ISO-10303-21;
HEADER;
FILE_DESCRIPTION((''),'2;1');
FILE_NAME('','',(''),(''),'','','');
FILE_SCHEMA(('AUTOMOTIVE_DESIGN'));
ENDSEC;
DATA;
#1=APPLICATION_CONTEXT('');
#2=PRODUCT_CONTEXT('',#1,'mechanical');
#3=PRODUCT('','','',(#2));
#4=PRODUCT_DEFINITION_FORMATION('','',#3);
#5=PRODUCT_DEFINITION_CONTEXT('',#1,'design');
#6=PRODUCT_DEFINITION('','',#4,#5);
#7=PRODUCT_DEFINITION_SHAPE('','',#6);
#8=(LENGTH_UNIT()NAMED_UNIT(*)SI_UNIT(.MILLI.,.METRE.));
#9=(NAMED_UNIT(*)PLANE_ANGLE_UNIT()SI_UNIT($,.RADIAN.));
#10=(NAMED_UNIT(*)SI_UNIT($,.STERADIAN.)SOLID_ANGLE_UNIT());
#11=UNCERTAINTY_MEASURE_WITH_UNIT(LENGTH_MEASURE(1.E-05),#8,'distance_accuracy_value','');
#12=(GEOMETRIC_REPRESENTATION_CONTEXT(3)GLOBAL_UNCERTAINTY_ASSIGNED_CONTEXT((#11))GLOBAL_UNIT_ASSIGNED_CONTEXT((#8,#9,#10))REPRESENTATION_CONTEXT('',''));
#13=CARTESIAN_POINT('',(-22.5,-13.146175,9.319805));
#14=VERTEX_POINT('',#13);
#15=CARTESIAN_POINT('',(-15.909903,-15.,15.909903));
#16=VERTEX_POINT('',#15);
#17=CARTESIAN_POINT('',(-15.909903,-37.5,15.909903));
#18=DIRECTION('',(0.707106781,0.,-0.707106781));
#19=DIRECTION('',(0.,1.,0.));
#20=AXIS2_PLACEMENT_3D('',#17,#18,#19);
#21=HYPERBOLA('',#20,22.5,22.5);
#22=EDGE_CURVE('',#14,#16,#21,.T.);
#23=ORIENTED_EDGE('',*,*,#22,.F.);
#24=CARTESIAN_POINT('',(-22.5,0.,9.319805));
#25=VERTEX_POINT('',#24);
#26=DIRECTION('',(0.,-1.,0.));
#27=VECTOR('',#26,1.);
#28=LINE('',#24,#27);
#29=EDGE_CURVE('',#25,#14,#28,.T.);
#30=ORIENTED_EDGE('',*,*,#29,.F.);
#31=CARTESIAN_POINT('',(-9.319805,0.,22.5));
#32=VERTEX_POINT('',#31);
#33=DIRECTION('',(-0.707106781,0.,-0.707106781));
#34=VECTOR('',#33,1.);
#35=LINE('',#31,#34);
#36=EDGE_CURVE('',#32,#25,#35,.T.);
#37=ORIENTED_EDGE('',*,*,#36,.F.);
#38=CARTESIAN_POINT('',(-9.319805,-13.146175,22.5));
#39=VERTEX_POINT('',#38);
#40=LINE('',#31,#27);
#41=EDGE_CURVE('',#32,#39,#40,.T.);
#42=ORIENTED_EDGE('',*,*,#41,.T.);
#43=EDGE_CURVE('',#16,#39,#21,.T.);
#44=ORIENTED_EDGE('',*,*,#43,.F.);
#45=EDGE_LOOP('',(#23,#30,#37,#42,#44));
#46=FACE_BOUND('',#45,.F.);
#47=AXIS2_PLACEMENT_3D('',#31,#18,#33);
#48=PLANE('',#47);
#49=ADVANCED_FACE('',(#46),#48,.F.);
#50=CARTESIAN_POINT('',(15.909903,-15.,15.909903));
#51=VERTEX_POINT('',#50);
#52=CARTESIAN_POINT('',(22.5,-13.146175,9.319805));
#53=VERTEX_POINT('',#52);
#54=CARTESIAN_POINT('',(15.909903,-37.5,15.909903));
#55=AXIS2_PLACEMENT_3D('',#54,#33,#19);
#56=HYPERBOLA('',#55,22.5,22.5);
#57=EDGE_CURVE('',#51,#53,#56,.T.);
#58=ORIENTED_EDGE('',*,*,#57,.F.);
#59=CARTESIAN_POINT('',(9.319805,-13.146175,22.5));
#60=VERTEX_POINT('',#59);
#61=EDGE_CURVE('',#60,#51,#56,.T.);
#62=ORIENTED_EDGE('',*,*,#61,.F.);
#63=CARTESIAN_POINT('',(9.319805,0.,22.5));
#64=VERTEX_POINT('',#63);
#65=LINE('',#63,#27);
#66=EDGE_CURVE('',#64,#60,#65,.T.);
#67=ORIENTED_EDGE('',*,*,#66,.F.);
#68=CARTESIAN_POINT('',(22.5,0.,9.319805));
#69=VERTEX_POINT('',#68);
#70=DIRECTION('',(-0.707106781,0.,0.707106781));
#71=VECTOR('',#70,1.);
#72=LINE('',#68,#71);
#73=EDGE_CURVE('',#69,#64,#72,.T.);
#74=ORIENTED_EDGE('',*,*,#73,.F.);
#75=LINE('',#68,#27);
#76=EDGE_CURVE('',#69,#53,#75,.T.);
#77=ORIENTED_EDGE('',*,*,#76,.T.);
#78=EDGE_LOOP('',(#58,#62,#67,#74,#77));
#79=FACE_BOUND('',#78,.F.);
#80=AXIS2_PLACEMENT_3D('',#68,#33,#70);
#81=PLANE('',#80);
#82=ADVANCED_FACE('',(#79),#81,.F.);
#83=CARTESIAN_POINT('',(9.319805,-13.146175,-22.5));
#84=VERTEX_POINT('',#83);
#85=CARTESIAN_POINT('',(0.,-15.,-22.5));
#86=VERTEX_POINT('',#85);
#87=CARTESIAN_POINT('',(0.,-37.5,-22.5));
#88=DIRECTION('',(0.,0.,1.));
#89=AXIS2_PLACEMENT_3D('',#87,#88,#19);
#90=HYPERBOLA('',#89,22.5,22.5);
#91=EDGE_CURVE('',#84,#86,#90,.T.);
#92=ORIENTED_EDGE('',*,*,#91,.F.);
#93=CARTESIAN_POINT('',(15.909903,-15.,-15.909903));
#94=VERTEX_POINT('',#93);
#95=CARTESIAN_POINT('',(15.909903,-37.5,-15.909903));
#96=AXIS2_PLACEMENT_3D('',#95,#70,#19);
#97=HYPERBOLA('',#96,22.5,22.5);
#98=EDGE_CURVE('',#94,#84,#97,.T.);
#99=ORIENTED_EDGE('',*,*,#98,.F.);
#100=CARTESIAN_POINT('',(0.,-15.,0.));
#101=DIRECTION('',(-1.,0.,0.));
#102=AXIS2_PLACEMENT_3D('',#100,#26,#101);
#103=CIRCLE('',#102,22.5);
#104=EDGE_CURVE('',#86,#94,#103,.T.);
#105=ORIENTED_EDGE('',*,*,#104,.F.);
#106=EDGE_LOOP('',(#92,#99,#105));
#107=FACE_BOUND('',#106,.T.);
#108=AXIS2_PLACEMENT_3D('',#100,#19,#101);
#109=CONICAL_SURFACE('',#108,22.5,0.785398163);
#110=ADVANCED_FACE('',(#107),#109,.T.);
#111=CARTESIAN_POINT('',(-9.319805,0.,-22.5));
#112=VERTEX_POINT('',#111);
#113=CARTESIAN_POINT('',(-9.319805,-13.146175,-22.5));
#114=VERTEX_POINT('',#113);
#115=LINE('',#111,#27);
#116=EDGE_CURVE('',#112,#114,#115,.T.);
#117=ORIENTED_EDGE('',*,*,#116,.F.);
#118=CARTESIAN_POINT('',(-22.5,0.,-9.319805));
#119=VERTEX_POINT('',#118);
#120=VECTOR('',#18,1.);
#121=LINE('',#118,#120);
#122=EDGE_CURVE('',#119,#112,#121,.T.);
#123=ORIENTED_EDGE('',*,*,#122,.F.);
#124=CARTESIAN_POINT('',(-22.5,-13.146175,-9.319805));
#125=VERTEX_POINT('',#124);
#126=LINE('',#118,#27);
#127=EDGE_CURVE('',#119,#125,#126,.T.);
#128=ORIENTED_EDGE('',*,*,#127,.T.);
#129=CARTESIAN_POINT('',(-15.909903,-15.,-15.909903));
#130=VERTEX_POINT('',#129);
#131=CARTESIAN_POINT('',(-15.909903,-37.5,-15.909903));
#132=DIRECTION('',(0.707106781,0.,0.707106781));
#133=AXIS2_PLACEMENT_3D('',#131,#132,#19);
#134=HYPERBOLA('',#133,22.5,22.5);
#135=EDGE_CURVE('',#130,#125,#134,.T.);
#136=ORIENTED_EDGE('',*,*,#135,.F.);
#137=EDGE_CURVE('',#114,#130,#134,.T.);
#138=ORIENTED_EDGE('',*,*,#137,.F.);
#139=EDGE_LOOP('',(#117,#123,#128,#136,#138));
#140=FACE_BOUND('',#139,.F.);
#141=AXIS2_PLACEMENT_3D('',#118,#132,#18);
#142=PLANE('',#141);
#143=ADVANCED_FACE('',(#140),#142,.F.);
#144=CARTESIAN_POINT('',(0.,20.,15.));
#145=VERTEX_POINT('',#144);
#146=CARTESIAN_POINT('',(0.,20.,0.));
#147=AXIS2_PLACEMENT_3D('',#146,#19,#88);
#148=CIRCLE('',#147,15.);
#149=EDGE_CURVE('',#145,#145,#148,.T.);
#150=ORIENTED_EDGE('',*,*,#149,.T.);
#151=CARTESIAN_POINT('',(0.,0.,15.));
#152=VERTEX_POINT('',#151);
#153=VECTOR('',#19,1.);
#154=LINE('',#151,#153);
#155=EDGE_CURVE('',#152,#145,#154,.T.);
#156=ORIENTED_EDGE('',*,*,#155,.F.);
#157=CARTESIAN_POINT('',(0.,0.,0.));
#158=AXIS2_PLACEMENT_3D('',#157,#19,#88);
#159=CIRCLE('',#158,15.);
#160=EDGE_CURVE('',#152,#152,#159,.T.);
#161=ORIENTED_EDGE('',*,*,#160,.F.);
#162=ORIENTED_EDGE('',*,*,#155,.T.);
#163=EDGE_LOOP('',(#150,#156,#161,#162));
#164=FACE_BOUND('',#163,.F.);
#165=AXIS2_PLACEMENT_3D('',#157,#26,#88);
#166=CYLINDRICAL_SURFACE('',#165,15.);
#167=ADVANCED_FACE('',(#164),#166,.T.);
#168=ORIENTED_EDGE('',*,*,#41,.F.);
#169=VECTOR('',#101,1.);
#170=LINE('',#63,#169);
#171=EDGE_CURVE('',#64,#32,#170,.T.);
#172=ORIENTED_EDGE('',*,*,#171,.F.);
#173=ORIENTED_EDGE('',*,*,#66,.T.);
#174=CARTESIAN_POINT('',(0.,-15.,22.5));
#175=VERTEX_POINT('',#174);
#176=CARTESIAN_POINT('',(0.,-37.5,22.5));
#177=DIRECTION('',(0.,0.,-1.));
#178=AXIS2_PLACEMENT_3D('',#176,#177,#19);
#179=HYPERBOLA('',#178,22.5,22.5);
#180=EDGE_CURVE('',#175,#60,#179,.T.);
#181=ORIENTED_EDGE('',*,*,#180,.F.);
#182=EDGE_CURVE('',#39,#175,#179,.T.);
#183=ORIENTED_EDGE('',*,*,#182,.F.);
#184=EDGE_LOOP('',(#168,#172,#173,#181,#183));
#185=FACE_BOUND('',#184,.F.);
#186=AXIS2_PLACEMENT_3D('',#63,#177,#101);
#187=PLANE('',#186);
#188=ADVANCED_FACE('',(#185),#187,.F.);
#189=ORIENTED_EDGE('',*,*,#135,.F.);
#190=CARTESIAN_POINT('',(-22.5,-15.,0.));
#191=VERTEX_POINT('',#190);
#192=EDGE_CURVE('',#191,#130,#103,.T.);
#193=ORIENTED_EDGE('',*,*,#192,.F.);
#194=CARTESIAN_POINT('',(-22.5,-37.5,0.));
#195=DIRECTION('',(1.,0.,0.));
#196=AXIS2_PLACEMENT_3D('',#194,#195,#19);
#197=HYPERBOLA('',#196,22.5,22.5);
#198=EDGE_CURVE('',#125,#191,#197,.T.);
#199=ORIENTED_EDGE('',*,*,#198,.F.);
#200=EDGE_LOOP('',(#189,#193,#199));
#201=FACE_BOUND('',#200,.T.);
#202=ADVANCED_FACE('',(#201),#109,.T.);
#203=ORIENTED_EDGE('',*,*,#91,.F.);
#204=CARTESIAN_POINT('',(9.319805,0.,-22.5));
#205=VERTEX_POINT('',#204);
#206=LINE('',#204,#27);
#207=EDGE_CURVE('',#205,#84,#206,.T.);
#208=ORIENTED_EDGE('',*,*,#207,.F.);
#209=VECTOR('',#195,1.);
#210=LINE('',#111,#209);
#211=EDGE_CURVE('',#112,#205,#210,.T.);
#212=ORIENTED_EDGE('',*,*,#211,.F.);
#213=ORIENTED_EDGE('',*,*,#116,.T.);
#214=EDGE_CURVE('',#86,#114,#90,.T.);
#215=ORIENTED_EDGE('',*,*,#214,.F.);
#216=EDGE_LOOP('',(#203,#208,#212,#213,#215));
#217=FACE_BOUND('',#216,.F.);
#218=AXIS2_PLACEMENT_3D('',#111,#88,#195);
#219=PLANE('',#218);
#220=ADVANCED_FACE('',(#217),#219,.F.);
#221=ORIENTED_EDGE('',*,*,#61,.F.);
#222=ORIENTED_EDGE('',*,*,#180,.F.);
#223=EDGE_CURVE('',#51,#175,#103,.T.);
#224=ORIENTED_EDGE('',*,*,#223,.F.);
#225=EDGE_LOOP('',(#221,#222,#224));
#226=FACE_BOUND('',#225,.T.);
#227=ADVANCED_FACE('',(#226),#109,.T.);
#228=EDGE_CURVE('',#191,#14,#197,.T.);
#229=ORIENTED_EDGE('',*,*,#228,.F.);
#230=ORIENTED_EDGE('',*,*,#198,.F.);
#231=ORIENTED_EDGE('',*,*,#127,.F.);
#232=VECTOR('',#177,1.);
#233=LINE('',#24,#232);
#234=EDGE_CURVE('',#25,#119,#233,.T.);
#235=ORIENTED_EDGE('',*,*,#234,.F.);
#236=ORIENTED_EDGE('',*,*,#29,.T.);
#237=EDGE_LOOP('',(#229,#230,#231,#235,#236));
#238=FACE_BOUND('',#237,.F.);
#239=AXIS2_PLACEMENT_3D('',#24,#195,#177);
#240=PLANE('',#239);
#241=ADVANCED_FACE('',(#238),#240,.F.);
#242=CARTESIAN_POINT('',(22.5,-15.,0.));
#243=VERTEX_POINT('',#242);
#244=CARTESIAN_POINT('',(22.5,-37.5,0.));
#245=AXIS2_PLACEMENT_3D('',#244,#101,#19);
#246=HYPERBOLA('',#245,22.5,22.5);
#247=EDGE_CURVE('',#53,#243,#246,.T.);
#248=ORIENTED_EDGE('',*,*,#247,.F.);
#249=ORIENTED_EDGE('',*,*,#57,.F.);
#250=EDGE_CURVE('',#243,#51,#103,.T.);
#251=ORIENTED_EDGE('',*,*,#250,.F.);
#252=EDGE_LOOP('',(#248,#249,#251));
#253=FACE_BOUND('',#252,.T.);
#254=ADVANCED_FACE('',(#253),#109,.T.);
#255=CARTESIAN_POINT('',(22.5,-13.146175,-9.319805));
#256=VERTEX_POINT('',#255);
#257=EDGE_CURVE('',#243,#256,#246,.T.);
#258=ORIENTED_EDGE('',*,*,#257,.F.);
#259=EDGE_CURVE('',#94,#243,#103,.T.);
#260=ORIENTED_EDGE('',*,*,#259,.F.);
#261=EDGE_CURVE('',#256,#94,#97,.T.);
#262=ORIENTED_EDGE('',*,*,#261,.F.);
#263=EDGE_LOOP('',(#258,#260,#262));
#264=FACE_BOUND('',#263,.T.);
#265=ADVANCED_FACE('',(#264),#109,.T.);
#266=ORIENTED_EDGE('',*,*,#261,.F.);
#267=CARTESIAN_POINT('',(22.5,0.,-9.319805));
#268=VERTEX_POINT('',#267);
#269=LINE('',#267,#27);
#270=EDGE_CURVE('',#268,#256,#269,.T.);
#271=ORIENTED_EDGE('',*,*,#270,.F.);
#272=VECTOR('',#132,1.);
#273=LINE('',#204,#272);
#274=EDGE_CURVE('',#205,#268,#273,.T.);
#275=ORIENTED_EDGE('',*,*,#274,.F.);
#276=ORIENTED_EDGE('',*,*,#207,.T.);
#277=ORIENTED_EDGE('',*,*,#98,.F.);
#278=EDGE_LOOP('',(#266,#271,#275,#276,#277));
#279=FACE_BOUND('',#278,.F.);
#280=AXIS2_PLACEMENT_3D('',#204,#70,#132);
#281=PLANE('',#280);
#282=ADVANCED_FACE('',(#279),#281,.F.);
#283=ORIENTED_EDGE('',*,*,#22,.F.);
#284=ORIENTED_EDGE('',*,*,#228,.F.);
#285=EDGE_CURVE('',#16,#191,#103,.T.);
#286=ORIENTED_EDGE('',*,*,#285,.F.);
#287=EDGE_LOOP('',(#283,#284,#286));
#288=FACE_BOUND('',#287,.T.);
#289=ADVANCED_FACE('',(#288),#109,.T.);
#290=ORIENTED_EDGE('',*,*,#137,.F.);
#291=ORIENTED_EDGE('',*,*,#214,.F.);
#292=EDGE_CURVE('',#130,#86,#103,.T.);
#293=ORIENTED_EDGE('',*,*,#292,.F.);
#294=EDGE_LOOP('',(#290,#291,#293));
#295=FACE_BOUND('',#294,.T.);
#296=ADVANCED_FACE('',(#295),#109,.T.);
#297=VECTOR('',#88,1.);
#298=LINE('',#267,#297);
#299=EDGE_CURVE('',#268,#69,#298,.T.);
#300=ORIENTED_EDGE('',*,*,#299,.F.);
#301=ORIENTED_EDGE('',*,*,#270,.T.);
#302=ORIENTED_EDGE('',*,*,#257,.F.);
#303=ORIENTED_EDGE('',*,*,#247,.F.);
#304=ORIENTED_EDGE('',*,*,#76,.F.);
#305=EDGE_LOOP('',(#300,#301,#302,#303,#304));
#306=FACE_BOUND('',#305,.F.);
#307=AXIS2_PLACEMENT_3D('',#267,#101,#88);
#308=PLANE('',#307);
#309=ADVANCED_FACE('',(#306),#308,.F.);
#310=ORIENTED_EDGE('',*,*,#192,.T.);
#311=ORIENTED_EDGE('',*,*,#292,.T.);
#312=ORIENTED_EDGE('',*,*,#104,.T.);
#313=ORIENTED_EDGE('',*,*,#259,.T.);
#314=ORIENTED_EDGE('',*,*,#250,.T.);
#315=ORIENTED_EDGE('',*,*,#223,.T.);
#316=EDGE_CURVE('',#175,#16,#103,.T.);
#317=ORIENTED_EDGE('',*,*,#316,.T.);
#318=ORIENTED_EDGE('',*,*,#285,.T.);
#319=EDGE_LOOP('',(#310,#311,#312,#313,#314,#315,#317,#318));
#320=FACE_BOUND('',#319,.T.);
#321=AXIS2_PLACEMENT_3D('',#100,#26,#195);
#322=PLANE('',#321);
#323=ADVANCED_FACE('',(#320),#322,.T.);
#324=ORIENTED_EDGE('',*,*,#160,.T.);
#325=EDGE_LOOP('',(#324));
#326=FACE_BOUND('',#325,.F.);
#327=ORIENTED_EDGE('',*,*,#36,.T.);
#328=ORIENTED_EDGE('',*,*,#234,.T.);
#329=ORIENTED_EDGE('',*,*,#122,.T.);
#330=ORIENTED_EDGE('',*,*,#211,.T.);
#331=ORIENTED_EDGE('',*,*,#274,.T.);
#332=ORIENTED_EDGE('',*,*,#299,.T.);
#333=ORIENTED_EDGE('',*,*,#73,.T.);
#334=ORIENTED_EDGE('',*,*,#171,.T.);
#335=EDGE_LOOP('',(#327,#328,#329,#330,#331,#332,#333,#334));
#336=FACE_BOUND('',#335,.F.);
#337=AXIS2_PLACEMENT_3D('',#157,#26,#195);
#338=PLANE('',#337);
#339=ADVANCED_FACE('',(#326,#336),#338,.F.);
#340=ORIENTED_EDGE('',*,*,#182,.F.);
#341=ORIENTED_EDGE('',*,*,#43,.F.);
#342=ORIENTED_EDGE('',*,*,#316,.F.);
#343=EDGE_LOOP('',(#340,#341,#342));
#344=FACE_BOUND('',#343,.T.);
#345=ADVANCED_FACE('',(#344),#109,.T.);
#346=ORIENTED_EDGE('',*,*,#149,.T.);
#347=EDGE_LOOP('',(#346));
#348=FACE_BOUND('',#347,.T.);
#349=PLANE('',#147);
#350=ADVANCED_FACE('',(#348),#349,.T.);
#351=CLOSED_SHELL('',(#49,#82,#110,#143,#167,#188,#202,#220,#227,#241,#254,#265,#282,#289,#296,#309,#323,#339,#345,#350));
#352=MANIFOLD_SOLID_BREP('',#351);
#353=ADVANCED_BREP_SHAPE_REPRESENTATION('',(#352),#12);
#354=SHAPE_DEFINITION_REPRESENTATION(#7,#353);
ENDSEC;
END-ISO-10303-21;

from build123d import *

# Parameters (mm, degrees)
SKETCH1_R           = 15
BOSS_EXTRUDE1_DEPTH = 20
BOSS_EXTRUDE2_DEPTH = 15
SKETCH3_OUTSIDE_W   = 101.526
SKETCH3_OUTSIDE_H   = 101.526
SKETCH3_OUTSIDE_R   = 22.5
CUT_EXTRUDE1_DEPTH  = 20
CUT_EXTRUDE1_DRAFT  = -45


with BuildPart() as part:
    # Sketch1 → Boss-Extrude1 (new body)
    with BuildSketch(Plane(origin=(0, 0, 0), x_dir=(1, 0, 0), z_dir=(0, 1, 0))):
        with Locations(Location((0, 0, 0), (0, 0, 270))):
            Circle(SKETCH1_R)
    extrude(amount=BOSS_EXTRUDE1_DEPTH)

    # Sketch2 → Boss-Extrude2 (add)
    with BuildSketch(Plane.XZ):
        Polygon((22.5, -9.319805153), (22.5, 9.319805153), (9.319805153, 22.5), (-9.319805153, 22.5), (-22.5, 9.319805153), (-22.5, -9.319805153), (-9.319805153, -22.5), (9.319805153, -22.5), align=None)
    extrude(amount=BOSS_EXTRUDE2_DEPTH)


with BuildPart() as cut_extrude1_tool:
    # Sketch3 outside → Cut-Extrude1 (with draft: the straight prism first)
    with BuildSketch(Plane(origin=(0, -15, 0), x_dir=(-1, 0, 0), z_dir=(0, -1, 0))):
        Rectangle(SKETCH3_OUTSIDE_W, SKETCH3_OUTSIDE_H)
        Circle(SKETCH3_OUTSIDE_R, mode=Mode.SUBTRACT)
    extrude(amount=-CUT_EXTRUDE1_DEPTH)
    # Cut-Extrude1: the draft: its side faces are tilted about the plane it starts from
    cut_extrude1_sides = [cut_extrude1_tool.faces().sort_by_distance(p)[0] for p in [
        (0, -5, 50.763),
        (-50.763, -5, 0),
        (0, -5, -50.763),
        (50.763, -5, 0),
        (22.5, -5, 0),
    ]]
    draft(cut_extrude1_sides, Plane(origin=(0, -15, 0), x_dir=(-1, 0, 0), z_dir=(0, -1, 0)), CUT_EXTRUDE1_DRAFT)


with BuildPart() as part_1:
    add(part.part)

    # Cut-Extrude1: cut by cut_extrude1_tool
    add(cut_extrude1_tool.part, mode=Mode.SUBTRACT)


solid = part_1.part
